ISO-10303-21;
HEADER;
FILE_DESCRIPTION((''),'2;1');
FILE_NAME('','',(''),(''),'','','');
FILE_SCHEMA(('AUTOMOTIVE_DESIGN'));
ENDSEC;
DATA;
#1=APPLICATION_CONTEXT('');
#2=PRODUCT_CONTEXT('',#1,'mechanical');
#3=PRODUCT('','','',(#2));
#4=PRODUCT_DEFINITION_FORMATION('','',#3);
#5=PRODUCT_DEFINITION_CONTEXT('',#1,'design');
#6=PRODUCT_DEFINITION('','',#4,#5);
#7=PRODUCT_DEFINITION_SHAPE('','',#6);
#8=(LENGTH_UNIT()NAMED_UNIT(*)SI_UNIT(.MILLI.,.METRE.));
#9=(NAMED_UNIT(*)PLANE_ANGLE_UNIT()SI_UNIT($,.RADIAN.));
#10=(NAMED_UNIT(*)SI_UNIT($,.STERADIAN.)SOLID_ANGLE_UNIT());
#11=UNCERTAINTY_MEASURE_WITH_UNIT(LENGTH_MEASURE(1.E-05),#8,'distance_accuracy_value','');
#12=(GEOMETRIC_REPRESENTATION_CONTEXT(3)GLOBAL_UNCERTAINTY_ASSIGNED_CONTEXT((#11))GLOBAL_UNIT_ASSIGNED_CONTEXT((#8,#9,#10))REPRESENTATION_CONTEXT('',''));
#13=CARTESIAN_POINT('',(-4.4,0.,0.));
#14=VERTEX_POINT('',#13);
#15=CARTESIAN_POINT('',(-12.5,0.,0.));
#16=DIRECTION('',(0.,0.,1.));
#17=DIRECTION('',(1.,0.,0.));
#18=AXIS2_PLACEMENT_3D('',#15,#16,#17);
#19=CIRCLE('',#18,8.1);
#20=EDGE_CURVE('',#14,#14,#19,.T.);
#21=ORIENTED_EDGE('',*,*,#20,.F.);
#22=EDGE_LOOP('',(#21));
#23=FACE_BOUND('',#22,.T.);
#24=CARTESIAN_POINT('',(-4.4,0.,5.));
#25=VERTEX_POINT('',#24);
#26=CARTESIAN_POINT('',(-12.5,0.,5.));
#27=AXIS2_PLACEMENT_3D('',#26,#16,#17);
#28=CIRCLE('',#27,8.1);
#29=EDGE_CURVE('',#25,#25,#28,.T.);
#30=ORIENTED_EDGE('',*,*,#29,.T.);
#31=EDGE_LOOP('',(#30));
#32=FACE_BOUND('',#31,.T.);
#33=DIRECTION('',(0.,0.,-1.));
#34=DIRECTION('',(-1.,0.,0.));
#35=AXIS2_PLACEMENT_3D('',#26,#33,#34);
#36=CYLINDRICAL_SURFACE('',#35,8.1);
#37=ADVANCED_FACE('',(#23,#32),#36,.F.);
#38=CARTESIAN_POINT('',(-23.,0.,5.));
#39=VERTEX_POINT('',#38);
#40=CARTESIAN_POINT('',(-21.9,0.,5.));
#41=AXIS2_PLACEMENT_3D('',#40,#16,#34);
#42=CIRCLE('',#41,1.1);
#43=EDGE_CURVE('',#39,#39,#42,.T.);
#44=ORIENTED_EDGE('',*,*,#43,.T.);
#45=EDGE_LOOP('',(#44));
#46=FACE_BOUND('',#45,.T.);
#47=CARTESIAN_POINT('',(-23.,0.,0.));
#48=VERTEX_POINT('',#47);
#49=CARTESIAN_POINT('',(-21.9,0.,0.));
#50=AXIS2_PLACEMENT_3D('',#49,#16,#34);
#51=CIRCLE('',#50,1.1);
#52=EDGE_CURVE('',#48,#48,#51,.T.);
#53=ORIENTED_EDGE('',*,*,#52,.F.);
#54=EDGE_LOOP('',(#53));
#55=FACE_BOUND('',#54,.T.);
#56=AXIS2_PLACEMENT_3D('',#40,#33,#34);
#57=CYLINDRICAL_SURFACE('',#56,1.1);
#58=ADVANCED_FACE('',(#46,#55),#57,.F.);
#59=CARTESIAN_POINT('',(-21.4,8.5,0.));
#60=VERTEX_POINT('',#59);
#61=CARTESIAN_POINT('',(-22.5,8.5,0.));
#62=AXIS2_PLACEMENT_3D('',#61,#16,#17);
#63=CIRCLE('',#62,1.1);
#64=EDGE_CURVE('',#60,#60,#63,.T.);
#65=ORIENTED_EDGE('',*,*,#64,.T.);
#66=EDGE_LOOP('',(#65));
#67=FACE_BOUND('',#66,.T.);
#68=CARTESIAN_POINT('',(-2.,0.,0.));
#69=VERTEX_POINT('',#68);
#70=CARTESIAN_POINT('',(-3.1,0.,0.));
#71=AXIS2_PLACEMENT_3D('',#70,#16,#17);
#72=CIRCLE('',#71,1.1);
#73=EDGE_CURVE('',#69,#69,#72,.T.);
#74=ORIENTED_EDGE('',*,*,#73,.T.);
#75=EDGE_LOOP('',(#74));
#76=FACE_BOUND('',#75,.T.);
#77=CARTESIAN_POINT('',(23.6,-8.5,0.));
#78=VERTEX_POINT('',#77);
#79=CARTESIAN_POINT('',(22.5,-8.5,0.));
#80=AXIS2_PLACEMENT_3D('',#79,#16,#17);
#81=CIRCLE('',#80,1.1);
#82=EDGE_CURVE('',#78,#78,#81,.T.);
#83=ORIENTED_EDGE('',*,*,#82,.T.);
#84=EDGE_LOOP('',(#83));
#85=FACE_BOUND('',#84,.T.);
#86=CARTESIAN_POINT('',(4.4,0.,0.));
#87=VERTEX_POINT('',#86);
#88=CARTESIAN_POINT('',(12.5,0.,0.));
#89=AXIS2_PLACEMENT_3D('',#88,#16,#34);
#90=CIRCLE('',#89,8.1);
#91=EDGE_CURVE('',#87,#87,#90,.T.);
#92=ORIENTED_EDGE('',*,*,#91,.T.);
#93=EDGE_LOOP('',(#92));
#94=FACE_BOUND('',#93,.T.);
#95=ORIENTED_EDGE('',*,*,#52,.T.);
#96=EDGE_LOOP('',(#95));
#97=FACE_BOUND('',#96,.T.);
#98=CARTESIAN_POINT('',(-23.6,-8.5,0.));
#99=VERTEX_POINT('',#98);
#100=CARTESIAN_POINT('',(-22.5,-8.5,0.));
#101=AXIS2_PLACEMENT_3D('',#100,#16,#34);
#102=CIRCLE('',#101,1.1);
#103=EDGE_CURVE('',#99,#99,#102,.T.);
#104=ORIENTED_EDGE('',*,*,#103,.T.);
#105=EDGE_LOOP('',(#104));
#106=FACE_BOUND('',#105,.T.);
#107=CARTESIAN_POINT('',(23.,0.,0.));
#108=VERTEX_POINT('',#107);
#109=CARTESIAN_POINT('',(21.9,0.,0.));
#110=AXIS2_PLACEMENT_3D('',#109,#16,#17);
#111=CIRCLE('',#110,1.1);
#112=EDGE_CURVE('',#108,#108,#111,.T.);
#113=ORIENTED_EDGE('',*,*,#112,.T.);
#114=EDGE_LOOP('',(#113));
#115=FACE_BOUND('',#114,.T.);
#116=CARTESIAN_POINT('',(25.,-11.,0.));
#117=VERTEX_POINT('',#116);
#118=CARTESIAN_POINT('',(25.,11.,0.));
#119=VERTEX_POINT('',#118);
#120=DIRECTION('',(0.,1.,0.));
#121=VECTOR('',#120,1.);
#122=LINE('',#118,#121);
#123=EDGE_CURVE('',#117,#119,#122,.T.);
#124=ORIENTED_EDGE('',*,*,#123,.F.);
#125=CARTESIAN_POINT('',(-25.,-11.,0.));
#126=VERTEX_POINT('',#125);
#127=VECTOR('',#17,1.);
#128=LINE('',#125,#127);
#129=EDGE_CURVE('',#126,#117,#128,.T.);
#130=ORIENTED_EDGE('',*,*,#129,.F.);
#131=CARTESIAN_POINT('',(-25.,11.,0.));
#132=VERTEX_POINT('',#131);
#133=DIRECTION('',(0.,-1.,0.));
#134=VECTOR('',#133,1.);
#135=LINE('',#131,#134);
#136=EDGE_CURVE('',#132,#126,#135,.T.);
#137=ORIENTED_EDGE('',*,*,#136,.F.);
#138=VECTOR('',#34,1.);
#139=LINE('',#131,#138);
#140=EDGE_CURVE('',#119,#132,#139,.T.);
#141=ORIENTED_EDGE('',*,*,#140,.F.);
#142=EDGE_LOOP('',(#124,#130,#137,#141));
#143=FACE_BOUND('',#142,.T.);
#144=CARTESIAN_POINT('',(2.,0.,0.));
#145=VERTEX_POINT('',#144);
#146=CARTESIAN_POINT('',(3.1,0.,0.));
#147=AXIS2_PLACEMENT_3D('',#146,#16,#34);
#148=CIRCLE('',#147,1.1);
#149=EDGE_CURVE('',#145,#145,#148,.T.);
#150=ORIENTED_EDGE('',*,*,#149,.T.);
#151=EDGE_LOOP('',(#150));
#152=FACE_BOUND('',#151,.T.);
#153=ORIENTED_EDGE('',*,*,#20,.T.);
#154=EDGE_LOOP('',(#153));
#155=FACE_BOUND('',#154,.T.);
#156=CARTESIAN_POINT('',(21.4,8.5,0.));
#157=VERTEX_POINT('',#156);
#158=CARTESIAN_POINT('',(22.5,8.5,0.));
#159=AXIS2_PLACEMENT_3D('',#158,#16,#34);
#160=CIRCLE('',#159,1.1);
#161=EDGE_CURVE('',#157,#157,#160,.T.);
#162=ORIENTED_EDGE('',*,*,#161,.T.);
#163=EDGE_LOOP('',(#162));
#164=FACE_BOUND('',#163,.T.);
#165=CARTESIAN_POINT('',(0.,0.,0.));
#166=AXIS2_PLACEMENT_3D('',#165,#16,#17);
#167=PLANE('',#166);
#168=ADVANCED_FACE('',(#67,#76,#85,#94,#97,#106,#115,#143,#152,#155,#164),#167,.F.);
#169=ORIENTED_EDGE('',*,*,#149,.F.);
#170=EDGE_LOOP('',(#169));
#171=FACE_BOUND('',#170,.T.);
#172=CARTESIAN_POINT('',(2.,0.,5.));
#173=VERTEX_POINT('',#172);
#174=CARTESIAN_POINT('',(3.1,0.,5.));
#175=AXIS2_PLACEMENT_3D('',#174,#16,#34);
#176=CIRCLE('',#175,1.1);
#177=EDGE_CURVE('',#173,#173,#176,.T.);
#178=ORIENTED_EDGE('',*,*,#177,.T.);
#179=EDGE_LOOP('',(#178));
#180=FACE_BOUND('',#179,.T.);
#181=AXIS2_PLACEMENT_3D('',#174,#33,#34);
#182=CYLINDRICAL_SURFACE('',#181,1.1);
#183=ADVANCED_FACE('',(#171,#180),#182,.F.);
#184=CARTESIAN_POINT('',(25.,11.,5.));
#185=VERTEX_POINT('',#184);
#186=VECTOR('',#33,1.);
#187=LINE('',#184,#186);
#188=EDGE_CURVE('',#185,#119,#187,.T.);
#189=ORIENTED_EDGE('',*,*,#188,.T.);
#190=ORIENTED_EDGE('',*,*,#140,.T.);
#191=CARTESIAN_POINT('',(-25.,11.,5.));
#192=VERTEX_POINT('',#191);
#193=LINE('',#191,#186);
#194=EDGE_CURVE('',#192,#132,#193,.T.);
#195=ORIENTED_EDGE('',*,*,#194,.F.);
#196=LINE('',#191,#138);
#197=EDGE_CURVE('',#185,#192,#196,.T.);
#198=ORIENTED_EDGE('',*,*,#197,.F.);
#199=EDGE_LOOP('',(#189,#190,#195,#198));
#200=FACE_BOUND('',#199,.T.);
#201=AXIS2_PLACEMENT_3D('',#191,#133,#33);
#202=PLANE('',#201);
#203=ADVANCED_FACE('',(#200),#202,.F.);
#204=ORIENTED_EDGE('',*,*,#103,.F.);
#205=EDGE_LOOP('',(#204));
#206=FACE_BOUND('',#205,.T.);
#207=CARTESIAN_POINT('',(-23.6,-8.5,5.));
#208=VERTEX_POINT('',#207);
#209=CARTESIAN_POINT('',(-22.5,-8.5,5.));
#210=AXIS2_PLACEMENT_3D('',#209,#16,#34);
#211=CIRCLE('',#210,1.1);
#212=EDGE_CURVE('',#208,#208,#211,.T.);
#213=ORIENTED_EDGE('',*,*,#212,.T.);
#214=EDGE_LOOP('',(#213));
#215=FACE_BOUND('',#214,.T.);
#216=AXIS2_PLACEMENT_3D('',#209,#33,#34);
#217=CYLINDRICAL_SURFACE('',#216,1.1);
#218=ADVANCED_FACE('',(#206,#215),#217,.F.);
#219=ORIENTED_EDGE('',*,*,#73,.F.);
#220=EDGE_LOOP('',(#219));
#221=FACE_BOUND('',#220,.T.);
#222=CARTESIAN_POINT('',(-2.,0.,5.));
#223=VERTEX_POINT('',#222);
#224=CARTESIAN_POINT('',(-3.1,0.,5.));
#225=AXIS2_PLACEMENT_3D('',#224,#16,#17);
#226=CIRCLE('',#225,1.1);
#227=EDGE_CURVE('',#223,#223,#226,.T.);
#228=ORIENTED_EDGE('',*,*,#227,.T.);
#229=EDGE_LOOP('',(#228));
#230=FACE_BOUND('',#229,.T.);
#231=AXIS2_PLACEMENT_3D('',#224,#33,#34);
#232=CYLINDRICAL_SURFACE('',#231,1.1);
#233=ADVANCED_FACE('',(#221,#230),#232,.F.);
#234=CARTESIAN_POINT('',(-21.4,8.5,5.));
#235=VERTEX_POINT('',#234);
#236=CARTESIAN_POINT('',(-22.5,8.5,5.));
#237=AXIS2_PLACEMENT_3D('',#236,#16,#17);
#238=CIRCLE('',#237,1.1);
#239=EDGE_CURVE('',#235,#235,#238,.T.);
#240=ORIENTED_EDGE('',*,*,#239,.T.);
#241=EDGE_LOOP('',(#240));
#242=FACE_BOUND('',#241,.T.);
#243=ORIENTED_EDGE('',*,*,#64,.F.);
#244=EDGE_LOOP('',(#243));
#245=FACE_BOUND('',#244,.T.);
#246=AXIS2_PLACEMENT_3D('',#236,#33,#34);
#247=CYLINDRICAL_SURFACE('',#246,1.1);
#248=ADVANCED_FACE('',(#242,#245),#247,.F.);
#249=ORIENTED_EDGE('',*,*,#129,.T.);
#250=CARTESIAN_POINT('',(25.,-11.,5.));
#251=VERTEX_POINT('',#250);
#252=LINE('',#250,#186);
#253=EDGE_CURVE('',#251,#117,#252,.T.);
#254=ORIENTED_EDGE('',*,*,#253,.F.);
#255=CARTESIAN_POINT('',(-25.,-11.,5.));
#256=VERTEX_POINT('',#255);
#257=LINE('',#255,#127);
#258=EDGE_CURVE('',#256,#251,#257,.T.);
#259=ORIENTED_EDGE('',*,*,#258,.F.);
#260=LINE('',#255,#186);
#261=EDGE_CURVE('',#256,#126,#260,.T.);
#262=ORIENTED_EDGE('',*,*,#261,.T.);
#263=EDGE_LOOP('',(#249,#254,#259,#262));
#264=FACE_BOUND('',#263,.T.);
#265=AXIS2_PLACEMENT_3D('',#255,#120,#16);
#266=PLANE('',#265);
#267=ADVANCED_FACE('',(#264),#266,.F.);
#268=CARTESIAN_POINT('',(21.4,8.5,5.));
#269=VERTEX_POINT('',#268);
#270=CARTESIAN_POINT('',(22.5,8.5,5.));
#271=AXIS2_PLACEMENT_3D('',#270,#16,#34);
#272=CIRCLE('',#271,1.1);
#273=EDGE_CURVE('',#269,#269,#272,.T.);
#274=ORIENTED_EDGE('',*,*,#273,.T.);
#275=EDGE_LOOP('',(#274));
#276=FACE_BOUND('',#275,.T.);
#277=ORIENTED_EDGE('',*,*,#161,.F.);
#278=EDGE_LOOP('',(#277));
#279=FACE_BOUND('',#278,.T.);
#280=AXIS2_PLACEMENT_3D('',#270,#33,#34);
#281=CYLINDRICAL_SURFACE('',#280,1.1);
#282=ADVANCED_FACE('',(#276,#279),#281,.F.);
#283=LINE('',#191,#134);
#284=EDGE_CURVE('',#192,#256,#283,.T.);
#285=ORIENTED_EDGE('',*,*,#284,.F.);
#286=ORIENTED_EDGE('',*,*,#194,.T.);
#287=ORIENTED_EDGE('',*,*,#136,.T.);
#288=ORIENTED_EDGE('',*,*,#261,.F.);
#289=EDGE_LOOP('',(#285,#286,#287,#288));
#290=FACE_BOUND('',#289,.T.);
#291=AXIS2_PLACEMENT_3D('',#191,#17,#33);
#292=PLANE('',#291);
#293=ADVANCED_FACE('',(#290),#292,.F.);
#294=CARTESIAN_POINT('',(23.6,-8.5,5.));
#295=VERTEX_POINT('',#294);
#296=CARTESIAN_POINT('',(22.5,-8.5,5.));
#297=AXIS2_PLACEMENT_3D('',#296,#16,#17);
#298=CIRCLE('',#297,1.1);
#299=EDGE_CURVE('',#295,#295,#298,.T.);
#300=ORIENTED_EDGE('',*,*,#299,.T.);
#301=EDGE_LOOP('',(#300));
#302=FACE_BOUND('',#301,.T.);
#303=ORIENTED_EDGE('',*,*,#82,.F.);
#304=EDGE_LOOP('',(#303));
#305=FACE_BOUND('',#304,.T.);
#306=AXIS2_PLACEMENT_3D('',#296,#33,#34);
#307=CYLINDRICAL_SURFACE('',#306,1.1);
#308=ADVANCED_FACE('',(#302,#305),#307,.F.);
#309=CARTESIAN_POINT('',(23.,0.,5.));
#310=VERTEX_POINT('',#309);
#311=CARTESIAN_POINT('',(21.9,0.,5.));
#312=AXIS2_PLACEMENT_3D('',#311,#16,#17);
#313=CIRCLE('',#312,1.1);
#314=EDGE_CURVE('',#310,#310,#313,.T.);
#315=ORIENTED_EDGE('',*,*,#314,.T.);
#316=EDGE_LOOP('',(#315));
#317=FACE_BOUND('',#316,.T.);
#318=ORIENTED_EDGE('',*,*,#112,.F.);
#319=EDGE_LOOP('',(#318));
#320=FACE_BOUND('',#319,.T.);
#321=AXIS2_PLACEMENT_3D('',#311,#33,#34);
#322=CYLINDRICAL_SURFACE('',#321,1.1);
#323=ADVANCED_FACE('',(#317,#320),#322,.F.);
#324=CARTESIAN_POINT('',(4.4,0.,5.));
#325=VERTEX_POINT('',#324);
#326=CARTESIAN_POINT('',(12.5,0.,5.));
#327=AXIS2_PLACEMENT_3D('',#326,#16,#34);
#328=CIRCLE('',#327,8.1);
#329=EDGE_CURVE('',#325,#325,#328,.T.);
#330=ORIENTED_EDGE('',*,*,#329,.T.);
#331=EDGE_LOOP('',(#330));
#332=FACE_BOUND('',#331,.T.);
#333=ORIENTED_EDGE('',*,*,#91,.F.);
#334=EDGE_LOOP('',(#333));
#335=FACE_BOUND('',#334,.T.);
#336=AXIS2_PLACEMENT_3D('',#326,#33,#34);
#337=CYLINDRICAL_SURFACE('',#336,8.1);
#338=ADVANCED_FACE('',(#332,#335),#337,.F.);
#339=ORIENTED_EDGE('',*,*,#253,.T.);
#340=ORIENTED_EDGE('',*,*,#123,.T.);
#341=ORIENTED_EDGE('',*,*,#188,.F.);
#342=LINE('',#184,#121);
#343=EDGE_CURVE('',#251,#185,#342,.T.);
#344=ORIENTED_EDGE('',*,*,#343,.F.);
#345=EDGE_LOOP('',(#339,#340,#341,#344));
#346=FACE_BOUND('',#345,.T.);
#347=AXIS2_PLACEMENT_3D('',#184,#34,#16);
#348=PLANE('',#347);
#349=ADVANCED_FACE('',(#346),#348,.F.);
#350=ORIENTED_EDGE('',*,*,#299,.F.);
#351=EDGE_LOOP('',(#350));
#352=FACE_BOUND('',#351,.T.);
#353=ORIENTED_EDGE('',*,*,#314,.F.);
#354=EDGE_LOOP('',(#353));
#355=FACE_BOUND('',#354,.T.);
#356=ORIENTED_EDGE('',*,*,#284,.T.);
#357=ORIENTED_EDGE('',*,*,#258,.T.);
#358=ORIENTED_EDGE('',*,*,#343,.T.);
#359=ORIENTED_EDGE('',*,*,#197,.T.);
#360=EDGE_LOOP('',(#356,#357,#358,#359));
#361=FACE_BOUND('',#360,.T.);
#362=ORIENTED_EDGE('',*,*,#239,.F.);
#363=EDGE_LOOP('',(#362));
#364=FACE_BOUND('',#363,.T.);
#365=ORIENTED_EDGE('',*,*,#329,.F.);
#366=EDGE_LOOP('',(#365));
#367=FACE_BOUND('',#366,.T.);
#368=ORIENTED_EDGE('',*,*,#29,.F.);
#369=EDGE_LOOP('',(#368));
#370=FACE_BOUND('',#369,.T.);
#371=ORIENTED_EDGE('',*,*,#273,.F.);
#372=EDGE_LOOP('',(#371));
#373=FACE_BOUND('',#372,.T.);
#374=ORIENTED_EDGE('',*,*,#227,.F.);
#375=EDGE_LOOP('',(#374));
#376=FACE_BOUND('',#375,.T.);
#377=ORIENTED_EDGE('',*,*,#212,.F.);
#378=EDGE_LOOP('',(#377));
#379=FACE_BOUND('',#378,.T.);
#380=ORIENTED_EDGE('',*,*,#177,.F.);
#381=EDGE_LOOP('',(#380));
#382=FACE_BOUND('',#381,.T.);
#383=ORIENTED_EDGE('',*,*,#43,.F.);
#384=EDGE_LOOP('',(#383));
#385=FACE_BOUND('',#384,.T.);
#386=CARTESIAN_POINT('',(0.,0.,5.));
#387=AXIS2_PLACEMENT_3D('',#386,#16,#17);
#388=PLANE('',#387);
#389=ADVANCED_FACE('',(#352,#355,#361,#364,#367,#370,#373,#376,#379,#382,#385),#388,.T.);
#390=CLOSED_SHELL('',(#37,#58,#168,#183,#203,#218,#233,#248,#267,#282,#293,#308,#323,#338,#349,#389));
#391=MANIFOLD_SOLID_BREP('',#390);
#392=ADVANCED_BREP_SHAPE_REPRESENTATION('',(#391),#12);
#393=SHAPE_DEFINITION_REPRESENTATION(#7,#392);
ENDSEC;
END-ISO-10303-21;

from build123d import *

# Parameters (mm, degrees)
SKETCH_1_W      = 50
SKETCH_1_H      = 22
SKETCH_1_R      = 1.1
SKETCH_1_R_2    = 8.1
EXTRUDE_1_DEPTH = 5


with BuildPart() as part:
    # 草图1 → 凸台-拉伸1 (new body)
    with BuildSketch(Plane.XY):
        Rectangle(SKETCH_1_W, SKETCH_1_H)
        with Locations((-22.5, 8.5)):
            Circle(SKETCH_1_R, mode=Mode.SUBTRACT)
        with Locations((22.5, 8.5)):
            Circle(SKETCH_1_R, mode=Mode.SUBTRACT)
        with Locations((22.5, -8.5)):
            Circle(SKETCH_1_R, mode=Mode.SUBTRACT)
        with Locations((-22.5, -8.5)):
            Circle(SKETCH_1_R, mode=Mode.SUBTRACT)
        with Locations((-12.5, 0)):
            Circle(SKETCH_1_R_2, mode=Mode.SUBTRACT)
        with Locations((12.5, 0)):
            Circle(SKETCH_1_R_2, mode=Mode.SUBTRACT)
        with Locations((21.9, 0)):
            Circle(SKETCH_1_R, mode=Mode.SUBTRACT)
        with Locations((-21.9, 0)):
            Circle(SKETCH_1_R, mode=Mode.SUBTRACT)
        with Locations((3.1, 0)):
            Circle(SKETCH_1_R, mode=Mode.SUBTRACT)
        with Locations((-3.1, 0)):
            Circle(SKETCH_1_R, mode=Mode.SUBTRACT)
    extrude(amount=EXTRUDE_1_DEPTH)


solid = part.part
